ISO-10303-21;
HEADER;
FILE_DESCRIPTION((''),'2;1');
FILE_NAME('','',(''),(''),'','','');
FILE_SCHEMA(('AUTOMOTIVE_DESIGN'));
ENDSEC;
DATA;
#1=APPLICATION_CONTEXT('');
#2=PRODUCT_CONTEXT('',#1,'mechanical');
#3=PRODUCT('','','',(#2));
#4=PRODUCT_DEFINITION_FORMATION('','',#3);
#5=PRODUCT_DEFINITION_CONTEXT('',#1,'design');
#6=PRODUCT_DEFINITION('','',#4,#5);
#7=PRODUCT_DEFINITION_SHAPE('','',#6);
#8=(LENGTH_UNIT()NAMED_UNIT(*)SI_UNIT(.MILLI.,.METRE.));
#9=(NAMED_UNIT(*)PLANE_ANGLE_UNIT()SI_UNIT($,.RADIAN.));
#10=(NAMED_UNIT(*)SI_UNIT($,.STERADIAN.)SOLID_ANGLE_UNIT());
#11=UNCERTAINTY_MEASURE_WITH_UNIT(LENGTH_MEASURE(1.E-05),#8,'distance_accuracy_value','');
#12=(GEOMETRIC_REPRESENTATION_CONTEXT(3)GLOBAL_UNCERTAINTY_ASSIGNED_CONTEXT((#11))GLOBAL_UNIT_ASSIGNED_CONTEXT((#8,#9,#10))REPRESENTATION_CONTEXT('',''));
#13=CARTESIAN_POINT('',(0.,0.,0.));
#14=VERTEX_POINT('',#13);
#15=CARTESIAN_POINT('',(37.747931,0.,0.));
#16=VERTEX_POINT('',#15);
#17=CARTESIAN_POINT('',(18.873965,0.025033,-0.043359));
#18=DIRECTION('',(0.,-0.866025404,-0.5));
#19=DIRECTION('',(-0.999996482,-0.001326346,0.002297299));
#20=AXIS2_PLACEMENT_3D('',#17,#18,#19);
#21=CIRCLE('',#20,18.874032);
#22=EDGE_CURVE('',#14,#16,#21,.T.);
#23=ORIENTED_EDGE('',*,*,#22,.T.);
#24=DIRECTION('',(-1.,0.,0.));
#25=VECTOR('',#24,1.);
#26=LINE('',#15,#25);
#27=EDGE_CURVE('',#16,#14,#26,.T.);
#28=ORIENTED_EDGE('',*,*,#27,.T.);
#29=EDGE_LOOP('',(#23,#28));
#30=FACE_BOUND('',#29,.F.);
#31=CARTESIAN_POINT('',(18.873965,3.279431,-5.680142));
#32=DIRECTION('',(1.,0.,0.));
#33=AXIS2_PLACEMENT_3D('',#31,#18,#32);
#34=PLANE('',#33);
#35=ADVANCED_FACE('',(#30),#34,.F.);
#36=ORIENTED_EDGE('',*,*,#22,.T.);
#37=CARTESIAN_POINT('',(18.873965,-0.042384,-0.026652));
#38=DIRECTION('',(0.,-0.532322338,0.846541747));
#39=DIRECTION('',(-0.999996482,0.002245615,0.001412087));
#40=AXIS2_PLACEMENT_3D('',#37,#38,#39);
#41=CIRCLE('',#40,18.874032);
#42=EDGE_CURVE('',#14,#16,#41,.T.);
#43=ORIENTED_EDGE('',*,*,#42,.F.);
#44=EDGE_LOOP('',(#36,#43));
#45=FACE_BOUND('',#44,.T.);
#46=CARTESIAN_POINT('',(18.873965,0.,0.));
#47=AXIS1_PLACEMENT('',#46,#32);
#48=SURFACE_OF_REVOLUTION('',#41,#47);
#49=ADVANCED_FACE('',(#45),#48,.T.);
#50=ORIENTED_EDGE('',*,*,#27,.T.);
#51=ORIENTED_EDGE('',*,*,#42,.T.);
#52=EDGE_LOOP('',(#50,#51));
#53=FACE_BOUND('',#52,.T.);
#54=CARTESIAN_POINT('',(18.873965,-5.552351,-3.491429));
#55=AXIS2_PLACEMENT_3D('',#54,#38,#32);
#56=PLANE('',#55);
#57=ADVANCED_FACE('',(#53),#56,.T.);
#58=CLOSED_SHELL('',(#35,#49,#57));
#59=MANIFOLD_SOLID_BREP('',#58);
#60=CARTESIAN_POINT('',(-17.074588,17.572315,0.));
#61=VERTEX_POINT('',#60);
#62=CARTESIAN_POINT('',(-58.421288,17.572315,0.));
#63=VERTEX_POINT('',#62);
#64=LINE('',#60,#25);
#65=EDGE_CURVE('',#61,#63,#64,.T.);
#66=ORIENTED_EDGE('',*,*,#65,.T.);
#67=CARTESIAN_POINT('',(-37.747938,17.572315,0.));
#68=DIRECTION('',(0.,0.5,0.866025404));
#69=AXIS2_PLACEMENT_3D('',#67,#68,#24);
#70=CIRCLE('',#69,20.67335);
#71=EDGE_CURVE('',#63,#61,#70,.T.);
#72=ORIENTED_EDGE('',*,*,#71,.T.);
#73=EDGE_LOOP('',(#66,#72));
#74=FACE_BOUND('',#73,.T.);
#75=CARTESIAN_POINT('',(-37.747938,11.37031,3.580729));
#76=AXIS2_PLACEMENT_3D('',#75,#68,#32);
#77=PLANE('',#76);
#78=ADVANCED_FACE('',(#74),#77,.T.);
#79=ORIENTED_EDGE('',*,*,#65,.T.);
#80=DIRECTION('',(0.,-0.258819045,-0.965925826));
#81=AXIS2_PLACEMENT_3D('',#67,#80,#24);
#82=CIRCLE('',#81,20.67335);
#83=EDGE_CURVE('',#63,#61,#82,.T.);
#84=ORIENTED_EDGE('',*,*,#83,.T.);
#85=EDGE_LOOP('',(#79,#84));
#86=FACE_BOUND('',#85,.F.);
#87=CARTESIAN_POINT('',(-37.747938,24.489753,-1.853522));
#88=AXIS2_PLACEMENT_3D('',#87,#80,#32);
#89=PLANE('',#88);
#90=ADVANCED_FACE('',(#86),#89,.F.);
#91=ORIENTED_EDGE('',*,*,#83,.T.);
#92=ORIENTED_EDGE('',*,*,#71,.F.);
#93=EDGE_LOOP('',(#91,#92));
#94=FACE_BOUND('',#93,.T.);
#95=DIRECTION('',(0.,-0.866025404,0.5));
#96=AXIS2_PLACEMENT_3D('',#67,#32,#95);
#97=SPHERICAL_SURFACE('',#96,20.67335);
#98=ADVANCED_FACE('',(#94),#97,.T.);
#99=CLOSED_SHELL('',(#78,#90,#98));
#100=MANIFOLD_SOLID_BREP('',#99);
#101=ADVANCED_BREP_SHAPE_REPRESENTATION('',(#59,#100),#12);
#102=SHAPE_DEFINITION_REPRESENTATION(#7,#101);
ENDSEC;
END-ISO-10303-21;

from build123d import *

# Parameters (mm, degrees)
F1_ANGLE_START = 32.1625005344
F1_ANGLE       = 87.8374994656
F2_ANGLE_BACK  = 30
F2_ANGLE       = 195


with BuildPart() as f1:
    # F0 (on Top) → F1 (revolve)
    with BuildSketch(Plane.XY, mode=Mode.PRIVATE) as f1_sk:
        with BuildLine():
            Line((37.7479307353, 0), (0, 0))
            ThreePointArc((0, 0), (18.8739653677, -18.9240987718), (37.7479307353, 0))
        make_face()
    revolve(f1_sk.sketch.rotate(Axis((18.8739653677, 0, 0), (1, 0, 0)), F1_ANGLE_START), axis=Axis((18.8739653677, 0, 0), (1, 0, 0)), revolution_arc=F1_ANGLE)


with BuildPart() as f2:
    # F0 (on Top) → F2 (revolve)
    with BuildSketch(Plane.XY, mode=Mode.PRIVATE) as f2_sk:
        with BuildLine():
            ThreePointArc((-58.421288071, 17.5723154098), (-37.7479381859, -3.1010344753), (-17.0745883008, 17.5723154098))
            Line((-17.0745883008, 17.5723154098), (-58.421288071, 17.5723154098))
        make_face()
    revolve(f2_sk.sketch.rotate(Axis((-37.7479381859, 17.5723154098, 0), (1, 0, 0)), -F2_ANGLE_BACK), axis=Axis((-37.7479381859, 17.5723154098, 0), (1, 0, 0)), revolution_arc=F2_ANGLE)


solid = Compound([f1.part, f2.part])
